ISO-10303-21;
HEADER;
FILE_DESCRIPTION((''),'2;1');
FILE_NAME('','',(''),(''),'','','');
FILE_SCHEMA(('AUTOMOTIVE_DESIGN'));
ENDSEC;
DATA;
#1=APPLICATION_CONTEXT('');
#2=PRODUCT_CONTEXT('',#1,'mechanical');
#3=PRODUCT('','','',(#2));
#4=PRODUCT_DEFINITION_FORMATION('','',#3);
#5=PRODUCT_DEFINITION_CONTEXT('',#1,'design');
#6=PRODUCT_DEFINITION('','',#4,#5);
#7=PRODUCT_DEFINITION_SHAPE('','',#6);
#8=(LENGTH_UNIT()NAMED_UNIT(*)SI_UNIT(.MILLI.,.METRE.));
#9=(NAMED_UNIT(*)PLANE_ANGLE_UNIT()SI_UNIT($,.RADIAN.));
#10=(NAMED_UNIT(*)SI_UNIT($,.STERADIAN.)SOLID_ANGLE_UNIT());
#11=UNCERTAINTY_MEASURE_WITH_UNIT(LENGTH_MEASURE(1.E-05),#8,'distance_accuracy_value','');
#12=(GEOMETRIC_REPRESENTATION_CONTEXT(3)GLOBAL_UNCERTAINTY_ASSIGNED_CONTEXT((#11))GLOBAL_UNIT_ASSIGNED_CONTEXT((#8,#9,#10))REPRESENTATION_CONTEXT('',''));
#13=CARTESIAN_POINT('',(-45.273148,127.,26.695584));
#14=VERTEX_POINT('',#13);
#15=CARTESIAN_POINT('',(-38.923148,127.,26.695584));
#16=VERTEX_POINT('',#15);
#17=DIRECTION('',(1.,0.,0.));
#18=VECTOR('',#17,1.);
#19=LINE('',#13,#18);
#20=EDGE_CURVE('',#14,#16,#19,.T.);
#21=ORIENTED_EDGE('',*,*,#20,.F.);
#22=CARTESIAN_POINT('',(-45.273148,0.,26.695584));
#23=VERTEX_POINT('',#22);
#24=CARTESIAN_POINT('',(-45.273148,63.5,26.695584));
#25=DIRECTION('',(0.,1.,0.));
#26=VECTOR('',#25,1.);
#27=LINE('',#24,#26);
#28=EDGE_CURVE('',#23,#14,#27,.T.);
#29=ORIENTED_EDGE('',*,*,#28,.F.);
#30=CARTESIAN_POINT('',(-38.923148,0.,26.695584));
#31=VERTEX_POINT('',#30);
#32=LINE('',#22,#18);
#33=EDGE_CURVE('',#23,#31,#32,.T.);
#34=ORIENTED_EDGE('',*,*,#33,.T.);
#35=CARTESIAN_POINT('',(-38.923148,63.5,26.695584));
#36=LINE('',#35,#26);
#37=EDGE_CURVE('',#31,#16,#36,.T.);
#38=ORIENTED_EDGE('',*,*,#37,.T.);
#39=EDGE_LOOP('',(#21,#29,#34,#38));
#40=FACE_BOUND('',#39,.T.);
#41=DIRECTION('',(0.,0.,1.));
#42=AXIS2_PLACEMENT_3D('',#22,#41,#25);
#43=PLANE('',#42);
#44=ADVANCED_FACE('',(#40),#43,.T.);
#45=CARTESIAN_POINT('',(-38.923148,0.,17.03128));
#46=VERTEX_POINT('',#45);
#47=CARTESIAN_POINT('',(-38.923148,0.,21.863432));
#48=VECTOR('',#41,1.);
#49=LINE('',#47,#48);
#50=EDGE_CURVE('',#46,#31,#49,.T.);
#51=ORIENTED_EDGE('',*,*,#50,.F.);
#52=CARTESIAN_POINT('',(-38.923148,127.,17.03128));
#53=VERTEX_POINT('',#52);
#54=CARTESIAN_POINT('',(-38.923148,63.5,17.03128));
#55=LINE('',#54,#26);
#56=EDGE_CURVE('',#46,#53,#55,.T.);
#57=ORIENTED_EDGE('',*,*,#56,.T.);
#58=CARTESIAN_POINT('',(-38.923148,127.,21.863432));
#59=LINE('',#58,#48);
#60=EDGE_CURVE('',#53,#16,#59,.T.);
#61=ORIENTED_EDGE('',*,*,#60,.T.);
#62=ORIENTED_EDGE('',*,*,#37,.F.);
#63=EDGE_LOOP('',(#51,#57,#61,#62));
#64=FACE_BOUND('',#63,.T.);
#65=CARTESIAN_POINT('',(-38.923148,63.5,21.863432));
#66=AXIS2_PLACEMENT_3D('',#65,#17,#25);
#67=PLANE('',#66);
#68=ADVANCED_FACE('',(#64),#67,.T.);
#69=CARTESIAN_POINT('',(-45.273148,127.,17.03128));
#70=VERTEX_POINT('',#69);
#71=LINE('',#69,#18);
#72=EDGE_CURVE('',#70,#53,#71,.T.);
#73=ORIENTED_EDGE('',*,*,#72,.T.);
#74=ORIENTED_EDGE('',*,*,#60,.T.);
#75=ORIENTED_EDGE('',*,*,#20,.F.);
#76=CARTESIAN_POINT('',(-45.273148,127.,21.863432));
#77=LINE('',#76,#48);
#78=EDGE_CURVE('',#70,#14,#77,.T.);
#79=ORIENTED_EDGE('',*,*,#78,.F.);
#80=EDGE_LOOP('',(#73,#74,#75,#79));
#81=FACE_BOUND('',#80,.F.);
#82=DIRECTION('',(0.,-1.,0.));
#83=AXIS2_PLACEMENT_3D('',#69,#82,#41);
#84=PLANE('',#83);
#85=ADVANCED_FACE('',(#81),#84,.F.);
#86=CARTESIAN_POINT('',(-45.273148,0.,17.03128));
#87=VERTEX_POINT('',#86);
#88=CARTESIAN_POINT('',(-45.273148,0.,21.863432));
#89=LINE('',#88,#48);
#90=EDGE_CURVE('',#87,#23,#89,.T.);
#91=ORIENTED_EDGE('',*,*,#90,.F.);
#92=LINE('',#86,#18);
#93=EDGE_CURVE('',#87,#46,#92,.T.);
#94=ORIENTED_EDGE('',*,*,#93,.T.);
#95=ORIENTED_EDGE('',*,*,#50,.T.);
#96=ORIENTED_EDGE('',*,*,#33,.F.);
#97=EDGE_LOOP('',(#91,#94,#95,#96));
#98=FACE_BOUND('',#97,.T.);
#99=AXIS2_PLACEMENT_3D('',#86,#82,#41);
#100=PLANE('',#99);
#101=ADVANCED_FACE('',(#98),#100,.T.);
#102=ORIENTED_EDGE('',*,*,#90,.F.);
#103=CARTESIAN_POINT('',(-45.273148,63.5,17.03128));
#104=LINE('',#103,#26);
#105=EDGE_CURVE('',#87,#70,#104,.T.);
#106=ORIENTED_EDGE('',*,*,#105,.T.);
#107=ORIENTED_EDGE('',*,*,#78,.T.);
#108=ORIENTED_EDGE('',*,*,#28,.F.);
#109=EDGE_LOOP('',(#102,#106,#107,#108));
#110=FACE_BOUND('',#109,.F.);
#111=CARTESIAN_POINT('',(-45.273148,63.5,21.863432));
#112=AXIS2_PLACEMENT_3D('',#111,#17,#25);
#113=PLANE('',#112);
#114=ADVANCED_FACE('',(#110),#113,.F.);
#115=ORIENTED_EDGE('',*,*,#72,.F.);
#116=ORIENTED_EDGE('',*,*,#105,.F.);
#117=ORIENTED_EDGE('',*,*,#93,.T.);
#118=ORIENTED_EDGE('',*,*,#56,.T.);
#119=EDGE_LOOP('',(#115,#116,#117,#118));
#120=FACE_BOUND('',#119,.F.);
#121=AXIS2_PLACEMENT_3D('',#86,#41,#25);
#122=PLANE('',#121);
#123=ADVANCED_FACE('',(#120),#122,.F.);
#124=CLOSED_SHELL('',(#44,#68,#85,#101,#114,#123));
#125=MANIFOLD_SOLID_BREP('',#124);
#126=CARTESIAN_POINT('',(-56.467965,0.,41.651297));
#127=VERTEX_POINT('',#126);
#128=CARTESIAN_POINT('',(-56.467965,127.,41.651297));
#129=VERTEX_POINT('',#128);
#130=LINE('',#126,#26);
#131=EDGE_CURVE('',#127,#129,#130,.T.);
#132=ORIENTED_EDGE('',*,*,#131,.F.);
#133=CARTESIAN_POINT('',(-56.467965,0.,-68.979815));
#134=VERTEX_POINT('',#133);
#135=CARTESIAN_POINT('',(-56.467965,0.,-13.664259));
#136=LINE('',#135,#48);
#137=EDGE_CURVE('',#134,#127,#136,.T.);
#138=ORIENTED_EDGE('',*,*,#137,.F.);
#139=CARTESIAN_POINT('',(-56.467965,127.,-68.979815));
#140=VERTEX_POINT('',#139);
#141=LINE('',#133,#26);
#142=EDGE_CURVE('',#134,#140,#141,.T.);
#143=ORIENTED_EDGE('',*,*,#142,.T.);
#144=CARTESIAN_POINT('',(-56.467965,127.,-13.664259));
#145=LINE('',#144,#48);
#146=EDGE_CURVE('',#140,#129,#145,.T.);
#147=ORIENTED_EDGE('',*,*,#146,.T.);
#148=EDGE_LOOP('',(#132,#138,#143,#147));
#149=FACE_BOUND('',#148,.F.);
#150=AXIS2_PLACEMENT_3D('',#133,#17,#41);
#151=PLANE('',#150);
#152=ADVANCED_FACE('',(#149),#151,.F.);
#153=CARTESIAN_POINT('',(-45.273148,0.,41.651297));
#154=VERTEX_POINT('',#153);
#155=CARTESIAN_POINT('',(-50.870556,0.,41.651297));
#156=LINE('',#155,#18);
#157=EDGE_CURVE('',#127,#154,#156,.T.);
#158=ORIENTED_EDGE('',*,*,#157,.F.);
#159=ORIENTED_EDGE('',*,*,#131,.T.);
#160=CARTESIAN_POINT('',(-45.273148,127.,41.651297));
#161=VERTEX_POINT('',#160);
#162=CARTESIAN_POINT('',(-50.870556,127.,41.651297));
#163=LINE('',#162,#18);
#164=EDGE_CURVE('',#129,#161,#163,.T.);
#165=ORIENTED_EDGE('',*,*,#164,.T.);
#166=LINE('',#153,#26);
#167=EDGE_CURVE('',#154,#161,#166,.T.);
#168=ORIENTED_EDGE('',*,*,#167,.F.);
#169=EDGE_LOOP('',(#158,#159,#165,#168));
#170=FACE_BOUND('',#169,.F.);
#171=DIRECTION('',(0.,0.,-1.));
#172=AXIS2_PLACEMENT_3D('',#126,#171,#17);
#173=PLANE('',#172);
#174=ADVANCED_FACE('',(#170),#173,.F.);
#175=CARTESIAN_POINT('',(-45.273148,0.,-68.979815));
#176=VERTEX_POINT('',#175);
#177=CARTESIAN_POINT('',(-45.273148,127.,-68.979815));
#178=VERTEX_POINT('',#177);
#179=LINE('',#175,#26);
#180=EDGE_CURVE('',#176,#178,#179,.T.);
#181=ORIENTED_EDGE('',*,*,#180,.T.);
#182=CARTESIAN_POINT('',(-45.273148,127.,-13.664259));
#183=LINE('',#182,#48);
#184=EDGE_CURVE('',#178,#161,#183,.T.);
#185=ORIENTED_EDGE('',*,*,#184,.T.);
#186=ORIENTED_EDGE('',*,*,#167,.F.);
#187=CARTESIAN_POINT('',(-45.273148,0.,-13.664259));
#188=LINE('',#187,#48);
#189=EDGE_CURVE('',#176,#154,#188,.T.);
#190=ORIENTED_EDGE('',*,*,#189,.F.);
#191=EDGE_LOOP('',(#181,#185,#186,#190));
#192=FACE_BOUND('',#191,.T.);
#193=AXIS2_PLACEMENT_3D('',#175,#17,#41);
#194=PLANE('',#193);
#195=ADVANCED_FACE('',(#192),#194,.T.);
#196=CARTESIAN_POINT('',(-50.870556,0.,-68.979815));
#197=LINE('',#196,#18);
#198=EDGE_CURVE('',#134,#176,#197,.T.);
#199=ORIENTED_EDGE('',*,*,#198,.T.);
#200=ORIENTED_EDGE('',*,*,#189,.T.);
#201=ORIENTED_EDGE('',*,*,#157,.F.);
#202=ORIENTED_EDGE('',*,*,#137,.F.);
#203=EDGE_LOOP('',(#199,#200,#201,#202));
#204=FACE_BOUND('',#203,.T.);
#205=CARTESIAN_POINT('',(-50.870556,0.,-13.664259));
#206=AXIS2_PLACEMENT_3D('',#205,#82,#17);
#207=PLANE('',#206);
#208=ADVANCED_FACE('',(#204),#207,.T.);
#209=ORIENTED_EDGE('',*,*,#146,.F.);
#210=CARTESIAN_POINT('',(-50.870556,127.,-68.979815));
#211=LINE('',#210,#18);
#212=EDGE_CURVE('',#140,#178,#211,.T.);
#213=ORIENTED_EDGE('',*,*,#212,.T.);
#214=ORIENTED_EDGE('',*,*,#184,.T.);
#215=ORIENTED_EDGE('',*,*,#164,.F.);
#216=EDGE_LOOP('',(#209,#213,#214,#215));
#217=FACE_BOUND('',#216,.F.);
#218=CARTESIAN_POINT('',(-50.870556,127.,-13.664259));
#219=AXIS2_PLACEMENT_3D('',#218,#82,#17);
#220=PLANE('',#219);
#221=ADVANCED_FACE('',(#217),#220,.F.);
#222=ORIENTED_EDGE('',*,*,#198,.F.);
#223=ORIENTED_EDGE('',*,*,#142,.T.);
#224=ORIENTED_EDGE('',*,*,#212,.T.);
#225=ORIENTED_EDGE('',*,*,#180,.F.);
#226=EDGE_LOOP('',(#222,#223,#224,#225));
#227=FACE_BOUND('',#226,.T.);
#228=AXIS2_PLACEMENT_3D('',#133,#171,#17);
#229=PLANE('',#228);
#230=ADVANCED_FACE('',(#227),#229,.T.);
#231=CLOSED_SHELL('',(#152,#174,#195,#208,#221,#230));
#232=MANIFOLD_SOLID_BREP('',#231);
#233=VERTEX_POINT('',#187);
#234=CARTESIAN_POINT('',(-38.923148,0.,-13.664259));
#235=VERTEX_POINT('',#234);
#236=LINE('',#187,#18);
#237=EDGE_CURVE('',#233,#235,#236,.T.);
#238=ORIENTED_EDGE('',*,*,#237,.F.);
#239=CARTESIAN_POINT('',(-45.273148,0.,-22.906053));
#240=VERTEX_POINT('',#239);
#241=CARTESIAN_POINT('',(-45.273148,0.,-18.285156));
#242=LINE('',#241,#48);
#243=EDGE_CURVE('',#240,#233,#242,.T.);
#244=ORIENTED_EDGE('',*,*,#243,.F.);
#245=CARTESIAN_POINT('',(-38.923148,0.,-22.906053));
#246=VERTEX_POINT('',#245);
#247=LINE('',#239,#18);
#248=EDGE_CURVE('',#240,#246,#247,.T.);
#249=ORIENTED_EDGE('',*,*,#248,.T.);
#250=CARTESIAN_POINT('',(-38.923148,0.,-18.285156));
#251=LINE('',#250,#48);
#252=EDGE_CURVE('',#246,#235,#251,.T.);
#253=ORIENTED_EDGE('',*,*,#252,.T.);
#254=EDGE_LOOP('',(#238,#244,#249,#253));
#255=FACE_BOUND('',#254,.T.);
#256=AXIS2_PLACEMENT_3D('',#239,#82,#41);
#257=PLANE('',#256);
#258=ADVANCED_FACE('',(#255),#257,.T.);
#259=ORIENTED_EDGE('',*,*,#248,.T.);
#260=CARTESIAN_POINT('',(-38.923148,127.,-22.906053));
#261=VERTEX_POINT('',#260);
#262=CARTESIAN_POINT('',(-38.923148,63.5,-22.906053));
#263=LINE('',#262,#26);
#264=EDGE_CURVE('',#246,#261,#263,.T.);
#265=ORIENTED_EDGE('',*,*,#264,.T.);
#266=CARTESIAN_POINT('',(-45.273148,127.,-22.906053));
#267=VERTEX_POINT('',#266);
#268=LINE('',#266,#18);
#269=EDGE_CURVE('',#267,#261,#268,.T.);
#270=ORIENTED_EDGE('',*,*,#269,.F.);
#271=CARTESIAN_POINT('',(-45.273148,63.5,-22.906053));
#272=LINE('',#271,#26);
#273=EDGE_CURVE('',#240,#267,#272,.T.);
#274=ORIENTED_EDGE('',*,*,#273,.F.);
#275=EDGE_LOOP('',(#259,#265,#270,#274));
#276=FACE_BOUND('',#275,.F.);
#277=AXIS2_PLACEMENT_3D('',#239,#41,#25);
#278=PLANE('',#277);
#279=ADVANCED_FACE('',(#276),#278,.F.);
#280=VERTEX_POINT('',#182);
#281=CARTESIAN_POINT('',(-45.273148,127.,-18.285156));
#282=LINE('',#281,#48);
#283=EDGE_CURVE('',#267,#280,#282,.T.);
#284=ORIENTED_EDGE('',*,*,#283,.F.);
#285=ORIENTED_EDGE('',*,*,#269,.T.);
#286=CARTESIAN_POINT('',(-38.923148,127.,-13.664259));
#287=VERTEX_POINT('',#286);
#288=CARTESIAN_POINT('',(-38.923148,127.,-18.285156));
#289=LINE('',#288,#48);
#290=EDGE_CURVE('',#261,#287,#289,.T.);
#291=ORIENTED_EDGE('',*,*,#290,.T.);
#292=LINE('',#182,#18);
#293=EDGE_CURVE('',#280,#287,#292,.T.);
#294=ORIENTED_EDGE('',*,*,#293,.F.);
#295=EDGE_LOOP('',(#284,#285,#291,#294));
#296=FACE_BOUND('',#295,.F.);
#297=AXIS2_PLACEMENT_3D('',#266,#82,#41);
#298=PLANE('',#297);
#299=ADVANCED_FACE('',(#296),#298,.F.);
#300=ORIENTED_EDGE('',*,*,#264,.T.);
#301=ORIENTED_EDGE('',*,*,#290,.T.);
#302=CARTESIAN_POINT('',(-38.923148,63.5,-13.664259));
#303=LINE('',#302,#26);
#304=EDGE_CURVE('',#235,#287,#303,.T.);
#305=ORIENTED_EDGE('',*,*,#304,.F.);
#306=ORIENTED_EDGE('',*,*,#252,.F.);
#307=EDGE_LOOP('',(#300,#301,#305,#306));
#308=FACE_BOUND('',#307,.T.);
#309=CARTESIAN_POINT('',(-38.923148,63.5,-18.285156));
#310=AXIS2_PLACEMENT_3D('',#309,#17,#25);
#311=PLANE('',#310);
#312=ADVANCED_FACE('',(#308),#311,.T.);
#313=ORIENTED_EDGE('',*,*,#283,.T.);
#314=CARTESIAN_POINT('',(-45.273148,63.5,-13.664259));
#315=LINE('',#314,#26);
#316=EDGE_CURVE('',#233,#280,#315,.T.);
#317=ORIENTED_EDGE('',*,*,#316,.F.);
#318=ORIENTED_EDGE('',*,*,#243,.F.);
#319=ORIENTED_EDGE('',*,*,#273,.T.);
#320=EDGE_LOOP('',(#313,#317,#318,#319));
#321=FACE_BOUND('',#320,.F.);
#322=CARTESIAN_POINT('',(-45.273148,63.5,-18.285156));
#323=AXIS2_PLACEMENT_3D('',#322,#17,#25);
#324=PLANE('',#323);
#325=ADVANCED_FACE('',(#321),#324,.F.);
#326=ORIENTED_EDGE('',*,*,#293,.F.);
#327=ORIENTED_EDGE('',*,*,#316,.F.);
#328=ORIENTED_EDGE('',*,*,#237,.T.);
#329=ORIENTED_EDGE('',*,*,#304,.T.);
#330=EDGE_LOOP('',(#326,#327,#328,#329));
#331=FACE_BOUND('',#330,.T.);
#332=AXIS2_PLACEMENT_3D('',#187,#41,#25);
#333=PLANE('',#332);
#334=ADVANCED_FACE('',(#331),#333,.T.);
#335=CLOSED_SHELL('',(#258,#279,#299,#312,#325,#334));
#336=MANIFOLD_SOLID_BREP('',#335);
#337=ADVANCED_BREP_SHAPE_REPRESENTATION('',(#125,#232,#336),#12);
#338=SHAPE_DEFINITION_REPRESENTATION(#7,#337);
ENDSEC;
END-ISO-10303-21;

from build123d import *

# Parameters (mm, degrees)
F0_W     = 11.194817
F0_H     = 110.631112
F1_DEPTH = 127
F2_W     = 127
F2_H     = 9.664305
F2_H_2   = 9.241795
F3_DEPTH = 6.35


with BuildPart() as f1:
    # F0 (on Front) → F1 (new body)
    with BuildSketch(Plane.XZ):
        with Locations((-50.870556, -13.664259)):
            Rectangle(F0_W, F0_H)
    extrude(amount=-F1_DEPTH)


with BuildPart() as f3:
    # F2 (on face) → F3 (new body)
    with BuildSketch(Plane.YZ.offset(-45.273148)):
        with Locations((63.5, 21.863432)):
            Rectangle(F2_W, F2_H)
        with Locations((63.5, -18.285156)):
            Rectangle(F2_W, F2_H_2)
    extrude(amount=F3_DEPTH)


solid = Compound([f1.part, f3.part])
